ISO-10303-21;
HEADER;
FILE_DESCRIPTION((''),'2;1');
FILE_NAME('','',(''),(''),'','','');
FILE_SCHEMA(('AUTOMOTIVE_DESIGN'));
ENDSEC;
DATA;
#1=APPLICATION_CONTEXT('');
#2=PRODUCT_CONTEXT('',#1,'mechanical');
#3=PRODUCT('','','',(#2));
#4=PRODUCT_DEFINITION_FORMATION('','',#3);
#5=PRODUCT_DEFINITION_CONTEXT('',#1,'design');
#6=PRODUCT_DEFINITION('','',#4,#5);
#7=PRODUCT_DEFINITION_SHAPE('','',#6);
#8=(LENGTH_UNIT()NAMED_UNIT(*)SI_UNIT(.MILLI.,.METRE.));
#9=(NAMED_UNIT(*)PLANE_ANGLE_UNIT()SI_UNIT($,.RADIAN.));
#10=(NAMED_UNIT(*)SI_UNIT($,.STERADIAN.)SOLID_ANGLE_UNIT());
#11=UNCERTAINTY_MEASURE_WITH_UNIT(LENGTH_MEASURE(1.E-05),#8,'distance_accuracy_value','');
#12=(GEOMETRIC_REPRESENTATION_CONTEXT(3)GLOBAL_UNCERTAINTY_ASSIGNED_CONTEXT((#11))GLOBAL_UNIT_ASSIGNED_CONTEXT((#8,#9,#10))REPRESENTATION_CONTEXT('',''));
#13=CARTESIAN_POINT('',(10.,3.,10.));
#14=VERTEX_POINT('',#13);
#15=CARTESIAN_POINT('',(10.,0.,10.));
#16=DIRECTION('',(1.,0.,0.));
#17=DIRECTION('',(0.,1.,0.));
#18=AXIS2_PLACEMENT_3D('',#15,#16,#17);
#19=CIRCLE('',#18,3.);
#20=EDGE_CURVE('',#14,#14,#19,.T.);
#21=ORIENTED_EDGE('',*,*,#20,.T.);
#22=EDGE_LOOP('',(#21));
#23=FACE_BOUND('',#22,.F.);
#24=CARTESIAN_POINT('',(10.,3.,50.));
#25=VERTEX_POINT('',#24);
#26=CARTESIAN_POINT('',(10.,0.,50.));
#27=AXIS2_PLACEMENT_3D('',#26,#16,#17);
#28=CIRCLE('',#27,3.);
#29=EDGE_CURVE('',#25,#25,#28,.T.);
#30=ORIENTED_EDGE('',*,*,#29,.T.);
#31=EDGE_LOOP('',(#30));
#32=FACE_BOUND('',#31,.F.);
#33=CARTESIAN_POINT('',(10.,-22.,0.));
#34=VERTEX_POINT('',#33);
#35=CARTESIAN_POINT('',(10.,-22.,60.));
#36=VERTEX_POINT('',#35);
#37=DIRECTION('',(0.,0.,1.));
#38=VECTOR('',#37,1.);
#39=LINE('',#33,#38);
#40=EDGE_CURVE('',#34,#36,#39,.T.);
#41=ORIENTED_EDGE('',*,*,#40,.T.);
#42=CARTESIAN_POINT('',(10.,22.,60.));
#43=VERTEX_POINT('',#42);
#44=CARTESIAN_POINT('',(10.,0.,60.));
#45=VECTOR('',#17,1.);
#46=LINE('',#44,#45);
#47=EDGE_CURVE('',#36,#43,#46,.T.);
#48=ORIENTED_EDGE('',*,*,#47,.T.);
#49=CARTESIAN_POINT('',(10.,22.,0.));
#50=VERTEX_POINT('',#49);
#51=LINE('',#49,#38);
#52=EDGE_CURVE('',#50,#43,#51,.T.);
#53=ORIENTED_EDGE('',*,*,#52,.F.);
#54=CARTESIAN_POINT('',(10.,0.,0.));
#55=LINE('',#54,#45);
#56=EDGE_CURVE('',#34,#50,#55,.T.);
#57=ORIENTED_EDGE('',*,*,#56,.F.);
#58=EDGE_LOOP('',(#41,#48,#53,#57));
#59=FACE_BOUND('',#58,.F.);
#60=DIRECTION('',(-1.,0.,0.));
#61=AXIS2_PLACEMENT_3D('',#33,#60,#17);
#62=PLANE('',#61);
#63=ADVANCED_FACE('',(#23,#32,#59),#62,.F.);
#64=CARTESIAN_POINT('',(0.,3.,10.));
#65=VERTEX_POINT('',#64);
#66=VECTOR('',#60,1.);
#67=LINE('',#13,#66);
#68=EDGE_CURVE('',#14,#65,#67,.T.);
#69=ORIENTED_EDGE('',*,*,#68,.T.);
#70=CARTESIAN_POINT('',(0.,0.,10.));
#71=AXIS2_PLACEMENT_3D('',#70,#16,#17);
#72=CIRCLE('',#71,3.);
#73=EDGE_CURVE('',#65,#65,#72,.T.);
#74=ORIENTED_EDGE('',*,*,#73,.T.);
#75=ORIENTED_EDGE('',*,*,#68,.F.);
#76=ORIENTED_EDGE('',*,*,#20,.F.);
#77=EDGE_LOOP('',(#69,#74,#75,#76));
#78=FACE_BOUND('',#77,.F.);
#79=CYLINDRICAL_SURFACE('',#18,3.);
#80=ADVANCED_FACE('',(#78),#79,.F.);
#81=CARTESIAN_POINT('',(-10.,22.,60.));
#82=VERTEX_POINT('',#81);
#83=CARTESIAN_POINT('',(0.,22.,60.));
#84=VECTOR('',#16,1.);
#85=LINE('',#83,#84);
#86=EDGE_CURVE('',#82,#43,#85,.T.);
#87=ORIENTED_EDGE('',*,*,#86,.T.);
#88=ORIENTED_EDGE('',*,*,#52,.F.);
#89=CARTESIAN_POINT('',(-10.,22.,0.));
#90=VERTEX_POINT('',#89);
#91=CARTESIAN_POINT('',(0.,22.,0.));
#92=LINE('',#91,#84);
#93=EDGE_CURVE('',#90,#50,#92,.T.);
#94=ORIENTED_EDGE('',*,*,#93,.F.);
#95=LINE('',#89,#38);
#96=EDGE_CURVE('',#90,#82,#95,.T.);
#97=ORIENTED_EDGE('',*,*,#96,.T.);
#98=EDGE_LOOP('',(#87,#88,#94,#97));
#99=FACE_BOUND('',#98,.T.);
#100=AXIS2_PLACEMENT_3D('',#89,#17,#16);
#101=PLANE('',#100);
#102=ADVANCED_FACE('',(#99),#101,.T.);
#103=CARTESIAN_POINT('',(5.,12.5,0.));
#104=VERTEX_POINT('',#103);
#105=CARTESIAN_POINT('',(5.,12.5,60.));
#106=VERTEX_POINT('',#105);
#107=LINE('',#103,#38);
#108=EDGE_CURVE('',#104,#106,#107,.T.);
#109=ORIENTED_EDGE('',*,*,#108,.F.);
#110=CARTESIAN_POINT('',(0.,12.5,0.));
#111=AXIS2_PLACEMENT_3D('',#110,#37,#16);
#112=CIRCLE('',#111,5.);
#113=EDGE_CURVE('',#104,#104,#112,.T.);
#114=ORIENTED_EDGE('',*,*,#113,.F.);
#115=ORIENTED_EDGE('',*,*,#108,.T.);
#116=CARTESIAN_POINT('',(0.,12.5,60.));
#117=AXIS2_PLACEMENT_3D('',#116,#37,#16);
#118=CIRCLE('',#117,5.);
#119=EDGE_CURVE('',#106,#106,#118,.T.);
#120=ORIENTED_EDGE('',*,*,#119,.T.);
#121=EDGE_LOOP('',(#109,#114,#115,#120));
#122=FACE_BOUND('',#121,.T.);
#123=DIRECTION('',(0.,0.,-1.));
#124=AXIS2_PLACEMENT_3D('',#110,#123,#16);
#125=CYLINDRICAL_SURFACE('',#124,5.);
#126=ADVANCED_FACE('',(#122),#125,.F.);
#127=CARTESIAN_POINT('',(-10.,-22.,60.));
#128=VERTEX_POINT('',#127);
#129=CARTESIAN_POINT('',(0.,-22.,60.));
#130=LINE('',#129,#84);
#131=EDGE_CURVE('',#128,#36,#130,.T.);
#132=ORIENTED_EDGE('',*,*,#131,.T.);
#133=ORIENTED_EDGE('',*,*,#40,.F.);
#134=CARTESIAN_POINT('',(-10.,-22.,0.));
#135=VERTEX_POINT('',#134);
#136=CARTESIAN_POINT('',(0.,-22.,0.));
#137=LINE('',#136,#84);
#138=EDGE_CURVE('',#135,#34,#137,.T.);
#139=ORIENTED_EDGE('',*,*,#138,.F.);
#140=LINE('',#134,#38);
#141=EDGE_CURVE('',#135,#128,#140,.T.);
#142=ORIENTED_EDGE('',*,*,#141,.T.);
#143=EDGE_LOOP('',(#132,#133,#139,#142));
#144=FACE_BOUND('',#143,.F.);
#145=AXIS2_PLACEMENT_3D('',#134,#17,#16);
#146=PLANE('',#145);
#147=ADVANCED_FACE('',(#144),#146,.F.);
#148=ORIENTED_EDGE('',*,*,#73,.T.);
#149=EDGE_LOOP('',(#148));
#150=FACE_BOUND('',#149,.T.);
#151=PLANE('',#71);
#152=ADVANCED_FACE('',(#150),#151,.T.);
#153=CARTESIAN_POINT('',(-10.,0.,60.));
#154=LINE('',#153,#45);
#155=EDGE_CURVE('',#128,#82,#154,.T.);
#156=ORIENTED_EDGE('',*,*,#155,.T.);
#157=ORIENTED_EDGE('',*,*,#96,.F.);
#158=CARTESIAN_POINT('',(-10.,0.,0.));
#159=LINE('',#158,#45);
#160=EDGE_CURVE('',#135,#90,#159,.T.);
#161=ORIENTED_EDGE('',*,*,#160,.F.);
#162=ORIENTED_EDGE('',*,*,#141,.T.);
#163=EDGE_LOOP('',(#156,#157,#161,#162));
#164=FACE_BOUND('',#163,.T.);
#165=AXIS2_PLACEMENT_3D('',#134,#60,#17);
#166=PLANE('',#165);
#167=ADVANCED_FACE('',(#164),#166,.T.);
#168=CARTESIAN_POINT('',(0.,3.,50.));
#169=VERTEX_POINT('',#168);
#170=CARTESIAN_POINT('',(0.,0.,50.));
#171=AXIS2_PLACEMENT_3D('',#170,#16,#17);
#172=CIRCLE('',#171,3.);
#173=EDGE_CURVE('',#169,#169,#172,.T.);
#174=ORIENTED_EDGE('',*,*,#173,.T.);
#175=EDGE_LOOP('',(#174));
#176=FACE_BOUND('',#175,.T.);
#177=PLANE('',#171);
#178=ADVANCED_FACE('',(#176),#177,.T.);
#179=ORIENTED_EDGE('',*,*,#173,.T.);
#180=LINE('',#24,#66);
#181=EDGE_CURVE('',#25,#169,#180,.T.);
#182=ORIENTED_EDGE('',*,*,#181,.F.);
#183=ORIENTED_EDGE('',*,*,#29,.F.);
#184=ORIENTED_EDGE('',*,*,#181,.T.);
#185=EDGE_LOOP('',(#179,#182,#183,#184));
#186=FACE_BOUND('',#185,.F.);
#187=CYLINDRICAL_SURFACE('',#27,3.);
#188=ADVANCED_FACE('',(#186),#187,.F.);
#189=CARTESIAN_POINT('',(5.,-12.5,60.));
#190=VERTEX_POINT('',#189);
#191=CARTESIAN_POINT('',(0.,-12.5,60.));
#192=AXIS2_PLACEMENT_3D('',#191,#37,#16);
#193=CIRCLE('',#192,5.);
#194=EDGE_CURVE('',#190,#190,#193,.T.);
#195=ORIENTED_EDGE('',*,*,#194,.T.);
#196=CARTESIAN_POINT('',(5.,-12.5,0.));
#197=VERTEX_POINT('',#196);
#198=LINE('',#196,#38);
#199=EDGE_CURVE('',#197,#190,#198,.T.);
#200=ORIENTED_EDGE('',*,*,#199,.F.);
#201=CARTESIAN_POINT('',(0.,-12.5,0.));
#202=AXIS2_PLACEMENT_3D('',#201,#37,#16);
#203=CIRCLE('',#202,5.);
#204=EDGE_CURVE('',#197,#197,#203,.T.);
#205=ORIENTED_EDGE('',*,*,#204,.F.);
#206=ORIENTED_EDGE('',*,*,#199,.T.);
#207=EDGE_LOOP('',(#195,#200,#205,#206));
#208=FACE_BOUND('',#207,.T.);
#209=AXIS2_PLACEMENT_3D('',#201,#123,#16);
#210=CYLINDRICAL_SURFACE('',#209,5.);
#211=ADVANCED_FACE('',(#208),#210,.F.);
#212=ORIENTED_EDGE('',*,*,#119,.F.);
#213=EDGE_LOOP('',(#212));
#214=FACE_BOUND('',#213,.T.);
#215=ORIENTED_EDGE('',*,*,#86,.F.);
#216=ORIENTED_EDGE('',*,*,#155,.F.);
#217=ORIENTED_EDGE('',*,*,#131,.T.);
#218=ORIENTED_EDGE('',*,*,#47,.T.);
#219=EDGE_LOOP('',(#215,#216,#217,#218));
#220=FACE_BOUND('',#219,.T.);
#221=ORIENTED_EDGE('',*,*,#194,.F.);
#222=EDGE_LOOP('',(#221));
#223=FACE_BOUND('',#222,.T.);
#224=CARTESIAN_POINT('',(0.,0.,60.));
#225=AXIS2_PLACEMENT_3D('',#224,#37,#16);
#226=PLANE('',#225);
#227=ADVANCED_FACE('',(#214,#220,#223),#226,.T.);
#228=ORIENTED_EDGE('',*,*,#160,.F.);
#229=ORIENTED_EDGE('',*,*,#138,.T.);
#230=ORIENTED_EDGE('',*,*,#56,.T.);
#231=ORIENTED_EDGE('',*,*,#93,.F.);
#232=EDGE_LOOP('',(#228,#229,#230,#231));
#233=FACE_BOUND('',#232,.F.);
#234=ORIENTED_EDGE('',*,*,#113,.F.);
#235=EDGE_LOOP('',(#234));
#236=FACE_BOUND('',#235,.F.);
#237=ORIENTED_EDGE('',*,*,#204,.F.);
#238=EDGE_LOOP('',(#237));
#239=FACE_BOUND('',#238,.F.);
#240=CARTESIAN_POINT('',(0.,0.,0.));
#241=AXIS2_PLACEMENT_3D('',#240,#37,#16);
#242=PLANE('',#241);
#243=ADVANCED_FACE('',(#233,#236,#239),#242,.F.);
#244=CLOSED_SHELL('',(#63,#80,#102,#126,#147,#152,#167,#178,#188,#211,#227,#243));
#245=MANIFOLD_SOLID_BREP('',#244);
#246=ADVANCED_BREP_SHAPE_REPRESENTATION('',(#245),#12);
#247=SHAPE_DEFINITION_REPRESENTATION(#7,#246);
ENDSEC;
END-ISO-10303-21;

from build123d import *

# Parameters (mm, degrees)
F0_W     = 20
F0_H     = 44
F0_R     = 5
F1_DEPTH = 60
F2_R     = 3
F3_DEPTH = 10


with BuildPart() as f1:
    # F0 (on Top) → F1 (new body)
    with BuildSketch(Plane.XY):
        Rectangle(F0_W, F0_H)
        with Locations((0, -12.5)):
            Circle(F0_R, mode=Mode.SUBTRACT)
        with Locations((0, 12.5)):
            Circle(F0_R, mode=Mode.SUBTRACT)
    extrude(amount=F1_DEPTH)

    # F2 (on face) → F3 (cut)
    with BuildSketch(Plane.YZ.offset(10)):
        with Locations((0, 50)):
            Circle(F2_R)
        with Locations((0, 10)):
            Circle(F2_R)
    extrude(amount=-F3_DEPTH, mode=Mode.SUBTRACT)


solid = f1.part
